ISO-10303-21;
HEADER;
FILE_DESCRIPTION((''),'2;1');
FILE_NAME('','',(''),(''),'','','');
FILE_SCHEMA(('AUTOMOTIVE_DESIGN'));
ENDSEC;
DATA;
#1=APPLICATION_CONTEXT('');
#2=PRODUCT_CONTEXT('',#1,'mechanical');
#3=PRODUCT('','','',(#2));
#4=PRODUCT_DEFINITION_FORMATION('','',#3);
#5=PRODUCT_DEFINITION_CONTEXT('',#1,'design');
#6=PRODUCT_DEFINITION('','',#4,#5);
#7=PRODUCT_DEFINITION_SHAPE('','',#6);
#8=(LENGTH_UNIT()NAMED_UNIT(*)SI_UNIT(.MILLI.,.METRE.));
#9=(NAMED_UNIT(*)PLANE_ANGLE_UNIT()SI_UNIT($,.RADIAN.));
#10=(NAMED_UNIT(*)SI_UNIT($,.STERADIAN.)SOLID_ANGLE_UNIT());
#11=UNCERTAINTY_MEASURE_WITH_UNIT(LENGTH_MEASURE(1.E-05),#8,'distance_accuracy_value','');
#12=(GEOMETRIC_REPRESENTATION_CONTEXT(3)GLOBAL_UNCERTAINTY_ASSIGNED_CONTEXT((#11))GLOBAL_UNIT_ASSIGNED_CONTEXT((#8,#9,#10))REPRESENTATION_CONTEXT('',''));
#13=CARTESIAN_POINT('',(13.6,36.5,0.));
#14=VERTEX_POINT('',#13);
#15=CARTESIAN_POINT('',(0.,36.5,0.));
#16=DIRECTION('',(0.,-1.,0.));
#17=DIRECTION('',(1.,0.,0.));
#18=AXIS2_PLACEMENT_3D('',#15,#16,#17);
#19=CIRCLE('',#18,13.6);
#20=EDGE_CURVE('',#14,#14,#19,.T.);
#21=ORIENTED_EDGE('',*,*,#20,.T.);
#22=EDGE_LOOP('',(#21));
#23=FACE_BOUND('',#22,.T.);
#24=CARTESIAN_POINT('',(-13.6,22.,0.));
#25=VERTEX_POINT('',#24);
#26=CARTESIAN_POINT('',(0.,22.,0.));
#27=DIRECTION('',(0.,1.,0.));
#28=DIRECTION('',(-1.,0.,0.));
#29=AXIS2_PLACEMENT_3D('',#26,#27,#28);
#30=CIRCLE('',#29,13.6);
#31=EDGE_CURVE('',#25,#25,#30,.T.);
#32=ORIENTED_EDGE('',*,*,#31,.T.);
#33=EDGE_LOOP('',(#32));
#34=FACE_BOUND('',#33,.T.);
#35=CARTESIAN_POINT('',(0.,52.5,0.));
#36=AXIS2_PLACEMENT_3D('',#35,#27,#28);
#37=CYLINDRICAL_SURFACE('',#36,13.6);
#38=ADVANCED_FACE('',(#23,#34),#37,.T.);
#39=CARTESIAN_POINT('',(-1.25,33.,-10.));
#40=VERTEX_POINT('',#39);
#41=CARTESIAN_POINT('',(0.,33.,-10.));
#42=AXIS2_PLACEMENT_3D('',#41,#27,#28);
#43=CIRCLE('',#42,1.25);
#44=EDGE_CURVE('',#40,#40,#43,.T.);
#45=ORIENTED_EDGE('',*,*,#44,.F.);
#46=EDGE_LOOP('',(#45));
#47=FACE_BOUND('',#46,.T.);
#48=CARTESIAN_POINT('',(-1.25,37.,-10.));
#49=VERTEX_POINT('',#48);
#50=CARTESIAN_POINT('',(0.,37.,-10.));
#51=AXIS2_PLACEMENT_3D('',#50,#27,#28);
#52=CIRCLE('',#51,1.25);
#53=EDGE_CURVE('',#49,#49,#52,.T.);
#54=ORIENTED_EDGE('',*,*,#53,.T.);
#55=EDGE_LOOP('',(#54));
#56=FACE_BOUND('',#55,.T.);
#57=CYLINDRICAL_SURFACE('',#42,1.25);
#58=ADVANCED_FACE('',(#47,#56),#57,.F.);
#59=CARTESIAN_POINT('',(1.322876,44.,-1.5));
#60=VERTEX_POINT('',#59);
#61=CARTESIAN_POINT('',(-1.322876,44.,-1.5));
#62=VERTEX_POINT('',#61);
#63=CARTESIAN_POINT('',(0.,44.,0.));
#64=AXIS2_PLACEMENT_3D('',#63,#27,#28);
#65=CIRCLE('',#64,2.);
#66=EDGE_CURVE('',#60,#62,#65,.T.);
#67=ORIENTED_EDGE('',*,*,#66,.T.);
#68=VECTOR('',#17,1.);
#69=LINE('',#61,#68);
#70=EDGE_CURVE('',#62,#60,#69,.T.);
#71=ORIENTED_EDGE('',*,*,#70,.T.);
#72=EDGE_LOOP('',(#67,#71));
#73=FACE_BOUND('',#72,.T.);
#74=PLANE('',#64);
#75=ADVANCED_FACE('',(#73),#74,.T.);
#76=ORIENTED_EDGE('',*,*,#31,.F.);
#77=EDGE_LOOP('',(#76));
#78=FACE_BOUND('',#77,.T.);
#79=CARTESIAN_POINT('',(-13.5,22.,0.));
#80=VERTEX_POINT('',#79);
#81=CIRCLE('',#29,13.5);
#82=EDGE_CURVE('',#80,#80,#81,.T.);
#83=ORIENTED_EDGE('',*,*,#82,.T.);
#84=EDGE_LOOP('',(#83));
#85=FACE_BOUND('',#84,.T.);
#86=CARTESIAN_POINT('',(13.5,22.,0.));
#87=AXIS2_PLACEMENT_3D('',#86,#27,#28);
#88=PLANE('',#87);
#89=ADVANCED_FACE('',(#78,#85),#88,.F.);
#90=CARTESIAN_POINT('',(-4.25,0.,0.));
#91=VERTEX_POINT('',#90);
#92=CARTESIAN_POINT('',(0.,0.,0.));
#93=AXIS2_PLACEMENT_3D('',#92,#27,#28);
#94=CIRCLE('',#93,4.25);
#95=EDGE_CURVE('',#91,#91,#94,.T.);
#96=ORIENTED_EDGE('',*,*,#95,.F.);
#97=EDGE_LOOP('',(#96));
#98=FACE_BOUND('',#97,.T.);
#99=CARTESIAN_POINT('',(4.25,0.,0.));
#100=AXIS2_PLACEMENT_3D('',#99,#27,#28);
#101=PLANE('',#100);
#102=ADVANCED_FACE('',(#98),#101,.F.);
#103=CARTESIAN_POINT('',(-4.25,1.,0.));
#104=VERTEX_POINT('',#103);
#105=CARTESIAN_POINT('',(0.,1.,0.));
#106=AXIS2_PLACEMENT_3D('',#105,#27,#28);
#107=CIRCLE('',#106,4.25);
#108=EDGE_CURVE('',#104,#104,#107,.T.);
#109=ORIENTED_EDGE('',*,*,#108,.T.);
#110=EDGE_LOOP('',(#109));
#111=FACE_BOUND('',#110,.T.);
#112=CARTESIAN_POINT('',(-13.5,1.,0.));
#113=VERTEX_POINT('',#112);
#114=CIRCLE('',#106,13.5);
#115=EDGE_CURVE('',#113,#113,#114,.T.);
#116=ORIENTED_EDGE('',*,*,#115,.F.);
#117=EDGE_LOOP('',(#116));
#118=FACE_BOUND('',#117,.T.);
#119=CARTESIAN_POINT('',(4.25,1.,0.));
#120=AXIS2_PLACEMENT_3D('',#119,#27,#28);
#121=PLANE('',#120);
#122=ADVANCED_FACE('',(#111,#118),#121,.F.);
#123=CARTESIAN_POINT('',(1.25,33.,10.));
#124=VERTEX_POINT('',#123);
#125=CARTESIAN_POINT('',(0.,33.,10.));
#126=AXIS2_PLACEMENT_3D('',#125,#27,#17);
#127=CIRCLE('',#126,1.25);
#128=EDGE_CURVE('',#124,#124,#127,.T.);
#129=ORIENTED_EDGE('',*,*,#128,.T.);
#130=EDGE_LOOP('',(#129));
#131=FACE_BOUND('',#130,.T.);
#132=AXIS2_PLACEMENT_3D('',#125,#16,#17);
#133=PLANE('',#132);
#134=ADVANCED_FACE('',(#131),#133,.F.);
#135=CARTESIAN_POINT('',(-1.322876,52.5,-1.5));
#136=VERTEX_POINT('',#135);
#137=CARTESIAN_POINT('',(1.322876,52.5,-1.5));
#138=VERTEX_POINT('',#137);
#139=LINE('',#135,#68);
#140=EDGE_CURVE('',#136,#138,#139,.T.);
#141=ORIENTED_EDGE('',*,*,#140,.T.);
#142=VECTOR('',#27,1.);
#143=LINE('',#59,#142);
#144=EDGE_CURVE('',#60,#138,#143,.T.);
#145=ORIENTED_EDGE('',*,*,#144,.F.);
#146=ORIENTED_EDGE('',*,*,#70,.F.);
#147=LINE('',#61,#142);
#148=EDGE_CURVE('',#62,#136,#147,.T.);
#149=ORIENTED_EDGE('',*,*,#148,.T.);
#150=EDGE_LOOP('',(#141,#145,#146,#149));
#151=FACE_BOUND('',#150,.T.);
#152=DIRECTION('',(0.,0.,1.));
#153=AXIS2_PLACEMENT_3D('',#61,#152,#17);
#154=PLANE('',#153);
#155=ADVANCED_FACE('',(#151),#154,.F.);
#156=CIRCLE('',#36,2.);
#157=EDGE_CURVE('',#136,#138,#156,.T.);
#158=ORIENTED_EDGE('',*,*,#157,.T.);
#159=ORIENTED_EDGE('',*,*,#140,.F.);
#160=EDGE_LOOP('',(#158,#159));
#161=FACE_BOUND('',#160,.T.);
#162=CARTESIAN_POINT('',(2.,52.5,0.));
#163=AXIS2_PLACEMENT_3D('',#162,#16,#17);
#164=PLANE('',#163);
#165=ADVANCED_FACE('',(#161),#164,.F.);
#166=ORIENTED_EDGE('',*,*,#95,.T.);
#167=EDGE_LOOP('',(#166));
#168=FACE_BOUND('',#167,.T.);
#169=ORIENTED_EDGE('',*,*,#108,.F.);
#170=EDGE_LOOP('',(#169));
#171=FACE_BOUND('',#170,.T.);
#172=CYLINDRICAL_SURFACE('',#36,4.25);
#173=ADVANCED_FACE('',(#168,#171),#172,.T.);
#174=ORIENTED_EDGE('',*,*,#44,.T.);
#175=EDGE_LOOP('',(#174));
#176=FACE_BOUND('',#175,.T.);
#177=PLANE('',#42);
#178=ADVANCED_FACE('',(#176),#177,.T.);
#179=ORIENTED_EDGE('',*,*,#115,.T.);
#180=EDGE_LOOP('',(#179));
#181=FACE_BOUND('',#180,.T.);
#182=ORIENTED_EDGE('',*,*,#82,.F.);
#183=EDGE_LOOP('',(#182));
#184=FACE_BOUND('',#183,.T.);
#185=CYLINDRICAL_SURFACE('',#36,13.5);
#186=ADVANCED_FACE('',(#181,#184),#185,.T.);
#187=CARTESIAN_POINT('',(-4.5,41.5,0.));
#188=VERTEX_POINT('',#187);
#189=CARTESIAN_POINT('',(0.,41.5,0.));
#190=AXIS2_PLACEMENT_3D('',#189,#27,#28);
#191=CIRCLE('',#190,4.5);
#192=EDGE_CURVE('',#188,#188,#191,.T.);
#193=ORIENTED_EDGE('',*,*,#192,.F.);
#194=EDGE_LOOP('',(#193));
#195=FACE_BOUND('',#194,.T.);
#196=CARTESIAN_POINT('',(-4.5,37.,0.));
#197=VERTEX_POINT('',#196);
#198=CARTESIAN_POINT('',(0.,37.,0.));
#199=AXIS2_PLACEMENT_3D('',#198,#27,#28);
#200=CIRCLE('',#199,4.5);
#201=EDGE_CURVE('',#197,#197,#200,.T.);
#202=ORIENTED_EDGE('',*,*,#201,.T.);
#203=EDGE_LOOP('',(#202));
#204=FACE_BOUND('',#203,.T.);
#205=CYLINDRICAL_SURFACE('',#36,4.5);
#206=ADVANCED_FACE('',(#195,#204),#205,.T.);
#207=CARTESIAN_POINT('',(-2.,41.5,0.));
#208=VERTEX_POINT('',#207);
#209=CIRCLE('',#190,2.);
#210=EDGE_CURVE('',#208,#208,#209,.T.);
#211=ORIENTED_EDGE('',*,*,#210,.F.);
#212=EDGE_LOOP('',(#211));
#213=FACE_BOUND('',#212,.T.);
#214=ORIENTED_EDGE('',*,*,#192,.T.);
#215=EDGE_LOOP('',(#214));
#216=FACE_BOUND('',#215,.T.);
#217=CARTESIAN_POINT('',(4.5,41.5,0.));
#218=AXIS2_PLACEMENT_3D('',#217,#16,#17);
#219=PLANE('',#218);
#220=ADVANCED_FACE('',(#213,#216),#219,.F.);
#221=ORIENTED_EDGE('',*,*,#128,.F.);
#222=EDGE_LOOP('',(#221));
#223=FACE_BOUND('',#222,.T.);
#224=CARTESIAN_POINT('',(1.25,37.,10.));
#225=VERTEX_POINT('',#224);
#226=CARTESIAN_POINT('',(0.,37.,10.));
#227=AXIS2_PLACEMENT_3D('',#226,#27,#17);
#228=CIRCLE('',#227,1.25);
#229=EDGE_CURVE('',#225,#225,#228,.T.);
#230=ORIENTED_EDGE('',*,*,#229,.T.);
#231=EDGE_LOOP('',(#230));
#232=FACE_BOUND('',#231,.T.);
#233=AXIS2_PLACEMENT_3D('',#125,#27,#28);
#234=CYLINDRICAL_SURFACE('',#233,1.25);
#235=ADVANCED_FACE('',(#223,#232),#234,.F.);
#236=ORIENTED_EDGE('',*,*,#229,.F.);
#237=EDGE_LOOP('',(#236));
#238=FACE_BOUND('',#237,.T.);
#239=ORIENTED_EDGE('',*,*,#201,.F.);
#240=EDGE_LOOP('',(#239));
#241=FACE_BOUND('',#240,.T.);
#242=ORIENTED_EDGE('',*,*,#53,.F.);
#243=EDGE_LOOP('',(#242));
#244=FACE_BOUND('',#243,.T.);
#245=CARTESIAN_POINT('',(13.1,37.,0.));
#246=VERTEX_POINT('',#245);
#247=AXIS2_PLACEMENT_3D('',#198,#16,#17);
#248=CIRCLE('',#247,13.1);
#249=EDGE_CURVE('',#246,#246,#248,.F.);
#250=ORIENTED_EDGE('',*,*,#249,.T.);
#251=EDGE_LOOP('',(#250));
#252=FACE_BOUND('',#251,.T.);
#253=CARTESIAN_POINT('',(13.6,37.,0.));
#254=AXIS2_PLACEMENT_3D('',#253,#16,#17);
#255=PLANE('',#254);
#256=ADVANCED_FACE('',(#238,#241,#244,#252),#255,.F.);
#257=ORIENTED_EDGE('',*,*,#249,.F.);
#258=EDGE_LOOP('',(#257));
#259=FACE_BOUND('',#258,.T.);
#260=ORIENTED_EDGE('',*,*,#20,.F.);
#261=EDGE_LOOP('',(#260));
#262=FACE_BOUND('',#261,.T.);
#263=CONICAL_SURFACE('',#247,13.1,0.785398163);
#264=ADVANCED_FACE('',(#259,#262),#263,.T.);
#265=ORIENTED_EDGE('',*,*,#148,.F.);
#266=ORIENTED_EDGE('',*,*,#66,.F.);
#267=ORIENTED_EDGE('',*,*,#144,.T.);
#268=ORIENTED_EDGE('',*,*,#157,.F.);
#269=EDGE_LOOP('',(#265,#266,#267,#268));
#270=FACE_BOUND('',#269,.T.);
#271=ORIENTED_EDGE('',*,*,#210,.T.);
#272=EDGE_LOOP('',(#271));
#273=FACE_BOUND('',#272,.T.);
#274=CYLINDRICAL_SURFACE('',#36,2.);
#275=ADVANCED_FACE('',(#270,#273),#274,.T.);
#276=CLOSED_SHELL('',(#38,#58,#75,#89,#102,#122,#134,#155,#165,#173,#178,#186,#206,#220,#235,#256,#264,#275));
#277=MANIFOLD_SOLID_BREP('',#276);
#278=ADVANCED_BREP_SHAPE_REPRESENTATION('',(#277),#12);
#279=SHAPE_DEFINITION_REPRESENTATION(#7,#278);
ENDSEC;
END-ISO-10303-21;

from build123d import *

# Parameters (mm, degrees)
ENL_V_MAT_EXTRU_1_DEPTH = 8.5
ESQUISSE3_R             = 1.25
ENL_V_MAT_EXTRU_2_DEPTH = 4
CHANFREIN1_SIZE         = 0.5


with BuildPart() as part:
    # Esquisse1 → Révolution1 (revolve)
    with BuildSketch(Plane.XY, mode=Mode.PRIVATE) as r_volution1_sk:
        Polygon((4.25, 1), (13.5, 1), (13.5, 22), (13.6, 22), (13.6, 37), (4.5, 37), (4.5, 41.5), (2, 41.5), (2, 52.5), (0, 52.5), (0, 0), (4.25, 0), align=None)
    revolve(r_volution1_sk.sketch.rotate(Axis((0, 52.5, 0), (0, -1, 0)), 180), axis=Axis((0, 52.5, 0), (0, -1, 0)))

    # Esquisse2 → Enlèv. mat.-Extru.1 (cut)
    with BuildSketch(Plane(origin=(0, 52.5, 0), x_dir=(1, 0, 0), z_dir=(0, 1, 0))):
        with BuildLine():
            Line((-1.322875656, 1.5), (1.322875656, 1.5))
            ThreePointArc((1.322875656, 1.5), (0, 2), (-1.322875656, 1.5))
        make_face()
    extrude(amount=-ENL_V_MAT_EXTRU_1_DEPTH, mode=Mode.SUBTRACT)

    # Esquisse3 → Enlèv. mat.-Extru.2 (cut)
    with BuildSketch(Plane(origin=(0, 37, 0), x_dir=(1, 0, 0), z_dir=(0, 1, 0))):
        with Locations(Location((0, 10, 0), (0, 0, 180))):
            Circle(ESQUISSE3_R)
        with Locations((0, -10)):
            Circle(ESQUISSE3_R)
    extrude(amount=-ENL_V_MAT_EXTRU_2_DEPTH, mode=Mode.SUBTRACT)

    # Chanfrein1
    chanfrein1_edges = [part.edges().sort_by_distance(p)[0] for p in [
        (13.6, 37, 0),
    ]]
    chamfer(chanfrein1_edges, length=CHANFREIN1_SIZE)


solid = part.part
